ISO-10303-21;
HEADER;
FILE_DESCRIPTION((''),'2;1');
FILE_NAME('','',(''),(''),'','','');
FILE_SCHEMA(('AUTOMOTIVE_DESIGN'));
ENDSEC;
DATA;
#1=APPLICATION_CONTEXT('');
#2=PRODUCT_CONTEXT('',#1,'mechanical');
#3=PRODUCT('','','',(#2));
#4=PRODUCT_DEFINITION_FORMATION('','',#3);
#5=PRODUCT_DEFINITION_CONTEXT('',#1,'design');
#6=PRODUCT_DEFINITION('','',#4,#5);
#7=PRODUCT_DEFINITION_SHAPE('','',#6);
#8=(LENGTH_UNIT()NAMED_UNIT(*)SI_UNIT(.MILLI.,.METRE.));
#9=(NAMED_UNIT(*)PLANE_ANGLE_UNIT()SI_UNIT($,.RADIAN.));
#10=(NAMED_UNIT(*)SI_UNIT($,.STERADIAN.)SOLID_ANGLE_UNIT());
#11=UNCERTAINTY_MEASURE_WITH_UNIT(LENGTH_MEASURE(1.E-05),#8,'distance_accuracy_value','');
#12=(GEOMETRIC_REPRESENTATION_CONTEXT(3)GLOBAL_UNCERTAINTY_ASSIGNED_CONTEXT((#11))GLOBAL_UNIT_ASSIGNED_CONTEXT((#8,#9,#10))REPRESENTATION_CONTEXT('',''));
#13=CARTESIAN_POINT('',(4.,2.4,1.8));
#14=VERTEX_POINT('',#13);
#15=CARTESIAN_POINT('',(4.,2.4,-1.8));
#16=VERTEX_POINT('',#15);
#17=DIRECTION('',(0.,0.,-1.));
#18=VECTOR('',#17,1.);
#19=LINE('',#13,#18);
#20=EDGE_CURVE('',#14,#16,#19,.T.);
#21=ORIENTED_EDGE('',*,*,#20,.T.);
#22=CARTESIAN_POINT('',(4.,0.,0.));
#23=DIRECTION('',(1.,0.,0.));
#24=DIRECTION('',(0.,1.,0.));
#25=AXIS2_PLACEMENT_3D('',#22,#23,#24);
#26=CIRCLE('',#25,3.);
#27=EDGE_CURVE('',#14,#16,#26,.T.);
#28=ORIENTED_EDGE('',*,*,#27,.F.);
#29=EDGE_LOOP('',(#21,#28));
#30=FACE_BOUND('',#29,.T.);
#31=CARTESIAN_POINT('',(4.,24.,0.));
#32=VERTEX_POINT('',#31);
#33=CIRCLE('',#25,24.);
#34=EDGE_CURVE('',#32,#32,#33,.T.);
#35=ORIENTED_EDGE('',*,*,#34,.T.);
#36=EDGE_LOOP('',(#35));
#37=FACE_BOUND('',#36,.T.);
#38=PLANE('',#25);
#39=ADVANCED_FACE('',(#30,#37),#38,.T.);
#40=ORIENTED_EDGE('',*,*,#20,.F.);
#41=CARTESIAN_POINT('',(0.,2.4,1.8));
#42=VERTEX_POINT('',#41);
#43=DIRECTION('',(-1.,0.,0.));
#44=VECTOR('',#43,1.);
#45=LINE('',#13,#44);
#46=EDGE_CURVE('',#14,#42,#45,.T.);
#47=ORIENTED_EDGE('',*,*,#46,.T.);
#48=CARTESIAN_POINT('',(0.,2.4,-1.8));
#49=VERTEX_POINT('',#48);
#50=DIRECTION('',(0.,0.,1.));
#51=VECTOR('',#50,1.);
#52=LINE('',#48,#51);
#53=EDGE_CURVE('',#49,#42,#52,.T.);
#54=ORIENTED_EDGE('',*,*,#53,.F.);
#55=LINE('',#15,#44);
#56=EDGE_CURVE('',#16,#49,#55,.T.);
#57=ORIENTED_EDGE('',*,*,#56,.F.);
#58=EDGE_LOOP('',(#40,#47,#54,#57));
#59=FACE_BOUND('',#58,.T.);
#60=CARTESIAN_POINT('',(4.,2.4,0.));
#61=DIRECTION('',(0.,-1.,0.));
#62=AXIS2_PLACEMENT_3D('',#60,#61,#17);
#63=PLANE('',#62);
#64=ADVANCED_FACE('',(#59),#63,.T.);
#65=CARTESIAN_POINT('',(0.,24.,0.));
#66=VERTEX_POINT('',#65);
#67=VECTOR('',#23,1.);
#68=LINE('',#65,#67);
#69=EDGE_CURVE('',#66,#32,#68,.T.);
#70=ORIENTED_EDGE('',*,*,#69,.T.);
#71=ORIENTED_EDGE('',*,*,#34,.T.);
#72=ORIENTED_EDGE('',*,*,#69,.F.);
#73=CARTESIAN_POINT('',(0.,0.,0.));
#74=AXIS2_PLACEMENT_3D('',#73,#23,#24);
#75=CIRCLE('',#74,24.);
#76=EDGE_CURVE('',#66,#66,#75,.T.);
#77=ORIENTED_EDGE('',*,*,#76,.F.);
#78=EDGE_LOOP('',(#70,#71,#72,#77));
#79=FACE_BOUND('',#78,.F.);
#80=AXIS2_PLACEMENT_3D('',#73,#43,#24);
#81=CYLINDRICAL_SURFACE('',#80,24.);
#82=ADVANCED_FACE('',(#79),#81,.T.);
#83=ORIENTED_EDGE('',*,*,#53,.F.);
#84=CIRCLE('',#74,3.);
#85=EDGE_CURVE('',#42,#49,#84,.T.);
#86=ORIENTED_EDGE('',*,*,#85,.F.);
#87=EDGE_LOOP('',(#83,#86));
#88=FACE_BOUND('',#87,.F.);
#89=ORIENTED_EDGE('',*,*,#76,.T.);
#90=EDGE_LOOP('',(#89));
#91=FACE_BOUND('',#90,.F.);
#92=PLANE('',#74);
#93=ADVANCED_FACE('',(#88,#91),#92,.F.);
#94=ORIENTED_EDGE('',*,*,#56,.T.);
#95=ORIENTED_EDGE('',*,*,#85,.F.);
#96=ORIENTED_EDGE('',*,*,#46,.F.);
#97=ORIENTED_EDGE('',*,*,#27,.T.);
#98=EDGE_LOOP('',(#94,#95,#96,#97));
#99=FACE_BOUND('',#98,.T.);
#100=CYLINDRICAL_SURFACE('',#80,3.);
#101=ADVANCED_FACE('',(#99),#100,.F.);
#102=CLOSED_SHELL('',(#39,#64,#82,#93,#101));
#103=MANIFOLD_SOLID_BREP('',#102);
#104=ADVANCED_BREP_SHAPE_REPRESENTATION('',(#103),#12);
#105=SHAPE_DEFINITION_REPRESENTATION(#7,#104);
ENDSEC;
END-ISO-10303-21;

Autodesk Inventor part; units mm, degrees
ref_plane "YZ Plane" through (0, 0, 0) normal (1, 0, 0) x (0, 1, 0)
ref_plane "XZ Plane" through (0, 0, 0) normal (0, 1, 0) x (-1, 0, 0)
ref_plane "XY Plane" through (0, 0, 0) normal (0, 0, 1) x (1, 0, 0)
sketch "Sketch1" plane through (0, 0, 0) normal (1, 0, 0) x (0, 1, 0)
  circle A0 centre (0, 0) radius 24
  circle A1 centre (0, 0) radius 3
  dimension "d0" = 48
  dimension "d1" = 6
extrude "Extrusion1" add sketch "Sketch1" along normal blind 4
sketch "Sketch2" plane through (4, 0, 0) normal (1, 0, 0) x (0, 0, -1)
  circle A0 centre (0, 0) radius 3 projected
  line L0 (0, -3) -> (0, 2.4)
  line L1 (0, 2.4) -> (1.8, 2.4)
  line L2 (1.8, 2.4) -> (-1.8, 2.4)
  dimension "d4" = 5.4
extrude "Extrusion2" add sketch "Sketch2" against normal blind 4 contours L1 L2 A0
properties part number "wheel"
